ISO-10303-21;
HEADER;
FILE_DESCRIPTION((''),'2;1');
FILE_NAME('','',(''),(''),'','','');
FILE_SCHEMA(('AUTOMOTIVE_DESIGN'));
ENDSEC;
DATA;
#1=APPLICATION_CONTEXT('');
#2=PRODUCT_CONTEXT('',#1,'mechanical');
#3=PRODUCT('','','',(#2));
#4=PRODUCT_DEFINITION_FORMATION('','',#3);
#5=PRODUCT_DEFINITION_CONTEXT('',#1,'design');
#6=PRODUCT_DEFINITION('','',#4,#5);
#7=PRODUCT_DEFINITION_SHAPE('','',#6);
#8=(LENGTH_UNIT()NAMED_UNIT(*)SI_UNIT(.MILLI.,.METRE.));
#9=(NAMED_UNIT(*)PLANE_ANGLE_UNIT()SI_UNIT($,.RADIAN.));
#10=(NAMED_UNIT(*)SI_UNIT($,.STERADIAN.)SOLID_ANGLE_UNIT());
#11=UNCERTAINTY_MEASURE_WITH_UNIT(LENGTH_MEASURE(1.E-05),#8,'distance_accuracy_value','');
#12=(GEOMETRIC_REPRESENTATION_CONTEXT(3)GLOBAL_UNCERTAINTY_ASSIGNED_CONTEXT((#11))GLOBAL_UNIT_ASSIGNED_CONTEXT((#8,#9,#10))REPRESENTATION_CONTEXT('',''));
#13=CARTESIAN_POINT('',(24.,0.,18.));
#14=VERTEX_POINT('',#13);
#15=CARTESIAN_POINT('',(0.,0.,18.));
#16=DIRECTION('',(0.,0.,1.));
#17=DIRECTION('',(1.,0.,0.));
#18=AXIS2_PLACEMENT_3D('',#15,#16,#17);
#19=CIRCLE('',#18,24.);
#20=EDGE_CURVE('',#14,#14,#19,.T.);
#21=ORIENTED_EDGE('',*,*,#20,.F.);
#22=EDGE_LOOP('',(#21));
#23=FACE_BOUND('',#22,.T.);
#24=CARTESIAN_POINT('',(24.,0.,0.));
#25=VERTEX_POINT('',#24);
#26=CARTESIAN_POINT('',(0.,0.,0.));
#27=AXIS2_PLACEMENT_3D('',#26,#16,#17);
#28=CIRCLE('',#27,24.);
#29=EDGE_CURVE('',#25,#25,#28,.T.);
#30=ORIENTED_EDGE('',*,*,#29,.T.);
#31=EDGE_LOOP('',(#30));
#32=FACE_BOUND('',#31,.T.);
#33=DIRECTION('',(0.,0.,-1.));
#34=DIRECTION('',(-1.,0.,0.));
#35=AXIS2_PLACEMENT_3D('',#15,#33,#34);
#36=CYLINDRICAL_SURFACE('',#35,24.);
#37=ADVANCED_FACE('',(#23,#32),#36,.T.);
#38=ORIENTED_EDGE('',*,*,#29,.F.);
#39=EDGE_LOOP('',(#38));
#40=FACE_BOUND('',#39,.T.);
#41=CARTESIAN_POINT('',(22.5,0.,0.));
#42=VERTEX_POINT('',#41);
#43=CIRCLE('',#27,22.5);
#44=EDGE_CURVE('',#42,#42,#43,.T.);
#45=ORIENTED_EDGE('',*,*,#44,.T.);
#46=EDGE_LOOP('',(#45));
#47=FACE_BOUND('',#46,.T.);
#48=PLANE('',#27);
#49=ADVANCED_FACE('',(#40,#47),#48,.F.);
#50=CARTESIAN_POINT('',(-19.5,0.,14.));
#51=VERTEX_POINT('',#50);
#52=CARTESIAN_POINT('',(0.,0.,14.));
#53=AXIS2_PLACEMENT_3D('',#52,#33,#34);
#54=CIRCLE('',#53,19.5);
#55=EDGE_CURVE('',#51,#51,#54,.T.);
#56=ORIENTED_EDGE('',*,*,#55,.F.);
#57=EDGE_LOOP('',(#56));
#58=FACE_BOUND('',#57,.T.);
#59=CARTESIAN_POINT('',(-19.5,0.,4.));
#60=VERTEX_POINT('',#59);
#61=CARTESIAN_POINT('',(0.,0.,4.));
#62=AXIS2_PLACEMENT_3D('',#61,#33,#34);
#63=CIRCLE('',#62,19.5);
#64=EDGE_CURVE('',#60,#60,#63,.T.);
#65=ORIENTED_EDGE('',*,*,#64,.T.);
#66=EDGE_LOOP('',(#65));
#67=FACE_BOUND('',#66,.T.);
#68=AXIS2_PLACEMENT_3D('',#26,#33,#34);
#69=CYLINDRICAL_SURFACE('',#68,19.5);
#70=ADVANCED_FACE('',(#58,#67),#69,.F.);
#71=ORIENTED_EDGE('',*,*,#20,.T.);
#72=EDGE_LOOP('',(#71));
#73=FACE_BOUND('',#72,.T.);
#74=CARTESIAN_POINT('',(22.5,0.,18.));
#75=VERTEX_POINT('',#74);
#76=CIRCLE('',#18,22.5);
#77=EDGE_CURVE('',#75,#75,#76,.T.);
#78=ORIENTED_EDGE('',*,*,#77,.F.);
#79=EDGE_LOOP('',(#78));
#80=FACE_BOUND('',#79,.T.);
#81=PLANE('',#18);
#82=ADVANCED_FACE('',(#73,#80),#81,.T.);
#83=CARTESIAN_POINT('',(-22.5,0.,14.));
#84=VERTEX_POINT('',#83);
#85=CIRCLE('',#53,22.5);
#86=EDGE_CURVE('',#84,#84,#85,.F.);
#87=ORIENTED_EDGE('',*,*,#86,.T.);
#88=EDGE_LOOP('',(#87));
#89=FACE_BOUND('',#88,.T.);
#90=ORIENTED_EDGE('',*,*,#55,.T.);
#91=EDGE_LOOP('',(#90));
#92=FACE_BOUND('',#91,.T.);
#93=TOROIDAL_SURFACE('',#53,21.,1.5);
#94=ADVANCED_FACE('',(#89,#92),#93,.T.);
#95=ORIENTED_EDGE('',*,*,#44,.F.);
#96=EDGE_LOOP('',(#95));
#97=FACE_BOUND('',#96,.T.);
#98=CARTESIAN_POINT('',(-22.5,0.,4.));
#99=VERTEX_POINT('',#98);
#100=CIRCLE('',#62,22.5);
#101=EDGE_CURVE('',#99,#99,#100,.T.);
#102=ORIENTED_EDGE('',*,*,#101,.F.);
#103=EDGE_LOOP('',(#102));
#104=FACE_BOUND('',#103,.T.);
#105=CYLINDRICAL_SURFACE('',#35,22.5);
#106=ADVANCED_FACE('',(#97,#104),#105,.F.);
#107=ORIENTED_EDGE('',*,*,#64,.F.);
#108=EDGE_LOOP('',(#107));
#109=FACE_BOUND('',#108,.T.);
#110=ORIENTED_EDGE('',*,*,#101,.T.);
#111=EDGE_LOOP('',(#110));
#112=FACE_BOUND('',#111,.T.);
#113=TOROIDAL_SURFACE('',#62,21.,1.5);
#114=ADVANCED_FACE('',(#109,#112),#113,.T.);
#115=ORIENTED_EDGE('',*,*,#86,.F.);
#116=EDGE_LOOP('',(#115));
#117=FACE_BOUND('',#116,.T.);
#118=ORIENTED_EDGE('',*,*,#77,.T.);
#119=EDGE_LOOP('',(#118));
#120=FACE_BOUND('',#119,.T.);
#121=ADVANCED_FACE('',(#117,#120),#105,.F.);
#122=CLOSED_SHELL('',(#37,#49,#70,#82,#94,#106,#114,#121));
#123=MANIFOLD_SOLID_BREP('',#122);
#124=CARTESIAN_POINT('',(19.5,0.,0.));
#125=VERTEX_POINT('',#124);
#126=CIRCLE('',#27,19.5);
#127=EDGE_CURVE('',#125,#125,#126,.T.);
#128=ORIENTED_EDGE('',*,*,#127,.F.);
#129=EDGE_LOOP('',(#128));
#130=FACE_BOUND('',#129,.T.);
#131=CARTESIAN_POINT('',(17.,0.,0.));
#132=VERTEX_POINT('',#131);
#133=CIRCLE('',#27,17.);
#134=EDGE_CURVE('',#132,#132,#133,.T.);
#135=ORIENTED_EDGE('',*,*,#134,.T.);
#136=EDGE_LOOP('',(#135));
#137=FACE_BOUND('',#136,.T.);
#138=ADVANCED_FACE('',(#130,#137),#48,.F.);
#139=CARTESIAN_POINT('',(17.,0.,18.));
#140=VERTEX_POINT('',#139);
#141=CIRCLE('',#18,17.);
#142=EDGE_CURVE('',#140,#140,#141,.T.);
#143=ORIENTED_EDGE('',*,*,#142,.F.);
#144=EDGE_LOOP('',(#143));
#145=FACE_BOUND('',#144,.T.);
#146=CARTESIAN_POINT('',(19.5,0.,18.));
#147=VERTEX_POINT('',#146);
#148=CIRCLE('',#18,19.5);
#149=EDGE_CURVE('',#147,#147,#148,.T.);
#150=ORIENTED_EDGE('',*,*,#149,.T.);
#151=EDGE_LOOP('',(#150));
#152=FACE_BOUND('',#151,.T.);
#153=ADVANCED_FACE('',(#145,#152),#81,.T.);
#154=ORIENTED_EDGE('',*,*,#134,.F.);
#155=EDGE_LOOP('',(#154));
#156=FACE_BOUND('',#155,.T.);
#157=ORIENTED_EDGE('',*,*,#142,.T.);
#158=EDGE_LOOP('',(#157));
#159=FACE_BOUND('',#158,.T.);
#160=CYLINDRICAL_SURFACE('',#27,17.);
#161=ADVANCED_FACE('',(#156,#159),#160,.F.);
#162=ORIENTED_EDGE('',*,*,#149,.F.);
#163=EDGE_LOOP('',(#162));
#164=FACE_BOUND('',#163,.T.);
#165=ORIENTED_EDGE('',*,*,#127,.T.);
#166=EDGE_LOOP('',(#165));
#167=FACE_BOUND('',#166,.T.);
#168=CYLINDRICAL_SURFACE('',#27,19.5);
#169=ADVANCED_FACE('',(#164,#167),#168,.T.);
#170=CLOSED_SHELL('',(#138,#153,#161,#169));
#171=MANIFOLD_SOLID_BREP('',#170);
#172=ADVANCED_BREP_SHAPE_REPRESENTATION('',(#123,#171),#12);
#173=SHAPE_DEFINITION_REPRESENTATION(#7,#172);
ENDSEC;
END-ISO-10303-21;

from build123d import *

# Parameters (mm, degrees)
IZIM1_R                     = 24
IZIM1_R_2                   = 22.5
Y_KSEKLIK_EKSTR_ZYON1_DEPTH = 18
IZIM2_R                     = 19.5
IZIM2_R_2                   = 17
Y_KSEKLIK_EKSTR_ZYON2_DEPTH = 18


with BuildPart() as part:
    # Çizim1 → Yükseklik-Ekstrüzyon1 (new body)
    with BuildSketch(Plane.XY):
        Circle(IZIM1_R)
        Circle(IZIM1_R_2, mode=Mode.SUBTRACT)
    extrude(amount=Y_KSEKLIK_EKSTR_ZYON1_DEPTH)

    # Çizim3 → Döndür1 (revolve)
    with BuildSketch(Plane(origin=(0, 0, 0), x_dir=(0, 0, -1), z_dir=(1, 0, 0)), mode=Mode.PRIVATE) as d_nd_r1_sk:
        with BuildLine():
            Line((-14, 22.5), (-4, 22.5))
            ThreePointArc((-4, 22.5), (-2.5, 21), (-4, 19.5))
            Line((-4, 19.5), (-14, 19.5))
            ThreePointArc((-14, 19.5), (-15.5, 21), (-14, 22.5))
        make_face()
    revolve(d_nd_r1_sk.sketch.rotate(Axis((0, 0, 0), (0, 0, 1)), 90), axis=Axis((0, 0, 0), (0, 0, 1)))


with BuildPart() as body_2:
    # Çizim2 → Yükseklik-Ekstrüzyon2 (new body)
    with BuildSketch(Plane.XY.offset(18)):
        Circle(IZIM2_R)
        Circle(IZIM2_R_2, mode=Mode.SUBTRACT)
    extrude(amount=-Y_KSEKLIK_EKSTR_ZYON2_DEPTH)


solid = Compound([part.part, body_2.part])
